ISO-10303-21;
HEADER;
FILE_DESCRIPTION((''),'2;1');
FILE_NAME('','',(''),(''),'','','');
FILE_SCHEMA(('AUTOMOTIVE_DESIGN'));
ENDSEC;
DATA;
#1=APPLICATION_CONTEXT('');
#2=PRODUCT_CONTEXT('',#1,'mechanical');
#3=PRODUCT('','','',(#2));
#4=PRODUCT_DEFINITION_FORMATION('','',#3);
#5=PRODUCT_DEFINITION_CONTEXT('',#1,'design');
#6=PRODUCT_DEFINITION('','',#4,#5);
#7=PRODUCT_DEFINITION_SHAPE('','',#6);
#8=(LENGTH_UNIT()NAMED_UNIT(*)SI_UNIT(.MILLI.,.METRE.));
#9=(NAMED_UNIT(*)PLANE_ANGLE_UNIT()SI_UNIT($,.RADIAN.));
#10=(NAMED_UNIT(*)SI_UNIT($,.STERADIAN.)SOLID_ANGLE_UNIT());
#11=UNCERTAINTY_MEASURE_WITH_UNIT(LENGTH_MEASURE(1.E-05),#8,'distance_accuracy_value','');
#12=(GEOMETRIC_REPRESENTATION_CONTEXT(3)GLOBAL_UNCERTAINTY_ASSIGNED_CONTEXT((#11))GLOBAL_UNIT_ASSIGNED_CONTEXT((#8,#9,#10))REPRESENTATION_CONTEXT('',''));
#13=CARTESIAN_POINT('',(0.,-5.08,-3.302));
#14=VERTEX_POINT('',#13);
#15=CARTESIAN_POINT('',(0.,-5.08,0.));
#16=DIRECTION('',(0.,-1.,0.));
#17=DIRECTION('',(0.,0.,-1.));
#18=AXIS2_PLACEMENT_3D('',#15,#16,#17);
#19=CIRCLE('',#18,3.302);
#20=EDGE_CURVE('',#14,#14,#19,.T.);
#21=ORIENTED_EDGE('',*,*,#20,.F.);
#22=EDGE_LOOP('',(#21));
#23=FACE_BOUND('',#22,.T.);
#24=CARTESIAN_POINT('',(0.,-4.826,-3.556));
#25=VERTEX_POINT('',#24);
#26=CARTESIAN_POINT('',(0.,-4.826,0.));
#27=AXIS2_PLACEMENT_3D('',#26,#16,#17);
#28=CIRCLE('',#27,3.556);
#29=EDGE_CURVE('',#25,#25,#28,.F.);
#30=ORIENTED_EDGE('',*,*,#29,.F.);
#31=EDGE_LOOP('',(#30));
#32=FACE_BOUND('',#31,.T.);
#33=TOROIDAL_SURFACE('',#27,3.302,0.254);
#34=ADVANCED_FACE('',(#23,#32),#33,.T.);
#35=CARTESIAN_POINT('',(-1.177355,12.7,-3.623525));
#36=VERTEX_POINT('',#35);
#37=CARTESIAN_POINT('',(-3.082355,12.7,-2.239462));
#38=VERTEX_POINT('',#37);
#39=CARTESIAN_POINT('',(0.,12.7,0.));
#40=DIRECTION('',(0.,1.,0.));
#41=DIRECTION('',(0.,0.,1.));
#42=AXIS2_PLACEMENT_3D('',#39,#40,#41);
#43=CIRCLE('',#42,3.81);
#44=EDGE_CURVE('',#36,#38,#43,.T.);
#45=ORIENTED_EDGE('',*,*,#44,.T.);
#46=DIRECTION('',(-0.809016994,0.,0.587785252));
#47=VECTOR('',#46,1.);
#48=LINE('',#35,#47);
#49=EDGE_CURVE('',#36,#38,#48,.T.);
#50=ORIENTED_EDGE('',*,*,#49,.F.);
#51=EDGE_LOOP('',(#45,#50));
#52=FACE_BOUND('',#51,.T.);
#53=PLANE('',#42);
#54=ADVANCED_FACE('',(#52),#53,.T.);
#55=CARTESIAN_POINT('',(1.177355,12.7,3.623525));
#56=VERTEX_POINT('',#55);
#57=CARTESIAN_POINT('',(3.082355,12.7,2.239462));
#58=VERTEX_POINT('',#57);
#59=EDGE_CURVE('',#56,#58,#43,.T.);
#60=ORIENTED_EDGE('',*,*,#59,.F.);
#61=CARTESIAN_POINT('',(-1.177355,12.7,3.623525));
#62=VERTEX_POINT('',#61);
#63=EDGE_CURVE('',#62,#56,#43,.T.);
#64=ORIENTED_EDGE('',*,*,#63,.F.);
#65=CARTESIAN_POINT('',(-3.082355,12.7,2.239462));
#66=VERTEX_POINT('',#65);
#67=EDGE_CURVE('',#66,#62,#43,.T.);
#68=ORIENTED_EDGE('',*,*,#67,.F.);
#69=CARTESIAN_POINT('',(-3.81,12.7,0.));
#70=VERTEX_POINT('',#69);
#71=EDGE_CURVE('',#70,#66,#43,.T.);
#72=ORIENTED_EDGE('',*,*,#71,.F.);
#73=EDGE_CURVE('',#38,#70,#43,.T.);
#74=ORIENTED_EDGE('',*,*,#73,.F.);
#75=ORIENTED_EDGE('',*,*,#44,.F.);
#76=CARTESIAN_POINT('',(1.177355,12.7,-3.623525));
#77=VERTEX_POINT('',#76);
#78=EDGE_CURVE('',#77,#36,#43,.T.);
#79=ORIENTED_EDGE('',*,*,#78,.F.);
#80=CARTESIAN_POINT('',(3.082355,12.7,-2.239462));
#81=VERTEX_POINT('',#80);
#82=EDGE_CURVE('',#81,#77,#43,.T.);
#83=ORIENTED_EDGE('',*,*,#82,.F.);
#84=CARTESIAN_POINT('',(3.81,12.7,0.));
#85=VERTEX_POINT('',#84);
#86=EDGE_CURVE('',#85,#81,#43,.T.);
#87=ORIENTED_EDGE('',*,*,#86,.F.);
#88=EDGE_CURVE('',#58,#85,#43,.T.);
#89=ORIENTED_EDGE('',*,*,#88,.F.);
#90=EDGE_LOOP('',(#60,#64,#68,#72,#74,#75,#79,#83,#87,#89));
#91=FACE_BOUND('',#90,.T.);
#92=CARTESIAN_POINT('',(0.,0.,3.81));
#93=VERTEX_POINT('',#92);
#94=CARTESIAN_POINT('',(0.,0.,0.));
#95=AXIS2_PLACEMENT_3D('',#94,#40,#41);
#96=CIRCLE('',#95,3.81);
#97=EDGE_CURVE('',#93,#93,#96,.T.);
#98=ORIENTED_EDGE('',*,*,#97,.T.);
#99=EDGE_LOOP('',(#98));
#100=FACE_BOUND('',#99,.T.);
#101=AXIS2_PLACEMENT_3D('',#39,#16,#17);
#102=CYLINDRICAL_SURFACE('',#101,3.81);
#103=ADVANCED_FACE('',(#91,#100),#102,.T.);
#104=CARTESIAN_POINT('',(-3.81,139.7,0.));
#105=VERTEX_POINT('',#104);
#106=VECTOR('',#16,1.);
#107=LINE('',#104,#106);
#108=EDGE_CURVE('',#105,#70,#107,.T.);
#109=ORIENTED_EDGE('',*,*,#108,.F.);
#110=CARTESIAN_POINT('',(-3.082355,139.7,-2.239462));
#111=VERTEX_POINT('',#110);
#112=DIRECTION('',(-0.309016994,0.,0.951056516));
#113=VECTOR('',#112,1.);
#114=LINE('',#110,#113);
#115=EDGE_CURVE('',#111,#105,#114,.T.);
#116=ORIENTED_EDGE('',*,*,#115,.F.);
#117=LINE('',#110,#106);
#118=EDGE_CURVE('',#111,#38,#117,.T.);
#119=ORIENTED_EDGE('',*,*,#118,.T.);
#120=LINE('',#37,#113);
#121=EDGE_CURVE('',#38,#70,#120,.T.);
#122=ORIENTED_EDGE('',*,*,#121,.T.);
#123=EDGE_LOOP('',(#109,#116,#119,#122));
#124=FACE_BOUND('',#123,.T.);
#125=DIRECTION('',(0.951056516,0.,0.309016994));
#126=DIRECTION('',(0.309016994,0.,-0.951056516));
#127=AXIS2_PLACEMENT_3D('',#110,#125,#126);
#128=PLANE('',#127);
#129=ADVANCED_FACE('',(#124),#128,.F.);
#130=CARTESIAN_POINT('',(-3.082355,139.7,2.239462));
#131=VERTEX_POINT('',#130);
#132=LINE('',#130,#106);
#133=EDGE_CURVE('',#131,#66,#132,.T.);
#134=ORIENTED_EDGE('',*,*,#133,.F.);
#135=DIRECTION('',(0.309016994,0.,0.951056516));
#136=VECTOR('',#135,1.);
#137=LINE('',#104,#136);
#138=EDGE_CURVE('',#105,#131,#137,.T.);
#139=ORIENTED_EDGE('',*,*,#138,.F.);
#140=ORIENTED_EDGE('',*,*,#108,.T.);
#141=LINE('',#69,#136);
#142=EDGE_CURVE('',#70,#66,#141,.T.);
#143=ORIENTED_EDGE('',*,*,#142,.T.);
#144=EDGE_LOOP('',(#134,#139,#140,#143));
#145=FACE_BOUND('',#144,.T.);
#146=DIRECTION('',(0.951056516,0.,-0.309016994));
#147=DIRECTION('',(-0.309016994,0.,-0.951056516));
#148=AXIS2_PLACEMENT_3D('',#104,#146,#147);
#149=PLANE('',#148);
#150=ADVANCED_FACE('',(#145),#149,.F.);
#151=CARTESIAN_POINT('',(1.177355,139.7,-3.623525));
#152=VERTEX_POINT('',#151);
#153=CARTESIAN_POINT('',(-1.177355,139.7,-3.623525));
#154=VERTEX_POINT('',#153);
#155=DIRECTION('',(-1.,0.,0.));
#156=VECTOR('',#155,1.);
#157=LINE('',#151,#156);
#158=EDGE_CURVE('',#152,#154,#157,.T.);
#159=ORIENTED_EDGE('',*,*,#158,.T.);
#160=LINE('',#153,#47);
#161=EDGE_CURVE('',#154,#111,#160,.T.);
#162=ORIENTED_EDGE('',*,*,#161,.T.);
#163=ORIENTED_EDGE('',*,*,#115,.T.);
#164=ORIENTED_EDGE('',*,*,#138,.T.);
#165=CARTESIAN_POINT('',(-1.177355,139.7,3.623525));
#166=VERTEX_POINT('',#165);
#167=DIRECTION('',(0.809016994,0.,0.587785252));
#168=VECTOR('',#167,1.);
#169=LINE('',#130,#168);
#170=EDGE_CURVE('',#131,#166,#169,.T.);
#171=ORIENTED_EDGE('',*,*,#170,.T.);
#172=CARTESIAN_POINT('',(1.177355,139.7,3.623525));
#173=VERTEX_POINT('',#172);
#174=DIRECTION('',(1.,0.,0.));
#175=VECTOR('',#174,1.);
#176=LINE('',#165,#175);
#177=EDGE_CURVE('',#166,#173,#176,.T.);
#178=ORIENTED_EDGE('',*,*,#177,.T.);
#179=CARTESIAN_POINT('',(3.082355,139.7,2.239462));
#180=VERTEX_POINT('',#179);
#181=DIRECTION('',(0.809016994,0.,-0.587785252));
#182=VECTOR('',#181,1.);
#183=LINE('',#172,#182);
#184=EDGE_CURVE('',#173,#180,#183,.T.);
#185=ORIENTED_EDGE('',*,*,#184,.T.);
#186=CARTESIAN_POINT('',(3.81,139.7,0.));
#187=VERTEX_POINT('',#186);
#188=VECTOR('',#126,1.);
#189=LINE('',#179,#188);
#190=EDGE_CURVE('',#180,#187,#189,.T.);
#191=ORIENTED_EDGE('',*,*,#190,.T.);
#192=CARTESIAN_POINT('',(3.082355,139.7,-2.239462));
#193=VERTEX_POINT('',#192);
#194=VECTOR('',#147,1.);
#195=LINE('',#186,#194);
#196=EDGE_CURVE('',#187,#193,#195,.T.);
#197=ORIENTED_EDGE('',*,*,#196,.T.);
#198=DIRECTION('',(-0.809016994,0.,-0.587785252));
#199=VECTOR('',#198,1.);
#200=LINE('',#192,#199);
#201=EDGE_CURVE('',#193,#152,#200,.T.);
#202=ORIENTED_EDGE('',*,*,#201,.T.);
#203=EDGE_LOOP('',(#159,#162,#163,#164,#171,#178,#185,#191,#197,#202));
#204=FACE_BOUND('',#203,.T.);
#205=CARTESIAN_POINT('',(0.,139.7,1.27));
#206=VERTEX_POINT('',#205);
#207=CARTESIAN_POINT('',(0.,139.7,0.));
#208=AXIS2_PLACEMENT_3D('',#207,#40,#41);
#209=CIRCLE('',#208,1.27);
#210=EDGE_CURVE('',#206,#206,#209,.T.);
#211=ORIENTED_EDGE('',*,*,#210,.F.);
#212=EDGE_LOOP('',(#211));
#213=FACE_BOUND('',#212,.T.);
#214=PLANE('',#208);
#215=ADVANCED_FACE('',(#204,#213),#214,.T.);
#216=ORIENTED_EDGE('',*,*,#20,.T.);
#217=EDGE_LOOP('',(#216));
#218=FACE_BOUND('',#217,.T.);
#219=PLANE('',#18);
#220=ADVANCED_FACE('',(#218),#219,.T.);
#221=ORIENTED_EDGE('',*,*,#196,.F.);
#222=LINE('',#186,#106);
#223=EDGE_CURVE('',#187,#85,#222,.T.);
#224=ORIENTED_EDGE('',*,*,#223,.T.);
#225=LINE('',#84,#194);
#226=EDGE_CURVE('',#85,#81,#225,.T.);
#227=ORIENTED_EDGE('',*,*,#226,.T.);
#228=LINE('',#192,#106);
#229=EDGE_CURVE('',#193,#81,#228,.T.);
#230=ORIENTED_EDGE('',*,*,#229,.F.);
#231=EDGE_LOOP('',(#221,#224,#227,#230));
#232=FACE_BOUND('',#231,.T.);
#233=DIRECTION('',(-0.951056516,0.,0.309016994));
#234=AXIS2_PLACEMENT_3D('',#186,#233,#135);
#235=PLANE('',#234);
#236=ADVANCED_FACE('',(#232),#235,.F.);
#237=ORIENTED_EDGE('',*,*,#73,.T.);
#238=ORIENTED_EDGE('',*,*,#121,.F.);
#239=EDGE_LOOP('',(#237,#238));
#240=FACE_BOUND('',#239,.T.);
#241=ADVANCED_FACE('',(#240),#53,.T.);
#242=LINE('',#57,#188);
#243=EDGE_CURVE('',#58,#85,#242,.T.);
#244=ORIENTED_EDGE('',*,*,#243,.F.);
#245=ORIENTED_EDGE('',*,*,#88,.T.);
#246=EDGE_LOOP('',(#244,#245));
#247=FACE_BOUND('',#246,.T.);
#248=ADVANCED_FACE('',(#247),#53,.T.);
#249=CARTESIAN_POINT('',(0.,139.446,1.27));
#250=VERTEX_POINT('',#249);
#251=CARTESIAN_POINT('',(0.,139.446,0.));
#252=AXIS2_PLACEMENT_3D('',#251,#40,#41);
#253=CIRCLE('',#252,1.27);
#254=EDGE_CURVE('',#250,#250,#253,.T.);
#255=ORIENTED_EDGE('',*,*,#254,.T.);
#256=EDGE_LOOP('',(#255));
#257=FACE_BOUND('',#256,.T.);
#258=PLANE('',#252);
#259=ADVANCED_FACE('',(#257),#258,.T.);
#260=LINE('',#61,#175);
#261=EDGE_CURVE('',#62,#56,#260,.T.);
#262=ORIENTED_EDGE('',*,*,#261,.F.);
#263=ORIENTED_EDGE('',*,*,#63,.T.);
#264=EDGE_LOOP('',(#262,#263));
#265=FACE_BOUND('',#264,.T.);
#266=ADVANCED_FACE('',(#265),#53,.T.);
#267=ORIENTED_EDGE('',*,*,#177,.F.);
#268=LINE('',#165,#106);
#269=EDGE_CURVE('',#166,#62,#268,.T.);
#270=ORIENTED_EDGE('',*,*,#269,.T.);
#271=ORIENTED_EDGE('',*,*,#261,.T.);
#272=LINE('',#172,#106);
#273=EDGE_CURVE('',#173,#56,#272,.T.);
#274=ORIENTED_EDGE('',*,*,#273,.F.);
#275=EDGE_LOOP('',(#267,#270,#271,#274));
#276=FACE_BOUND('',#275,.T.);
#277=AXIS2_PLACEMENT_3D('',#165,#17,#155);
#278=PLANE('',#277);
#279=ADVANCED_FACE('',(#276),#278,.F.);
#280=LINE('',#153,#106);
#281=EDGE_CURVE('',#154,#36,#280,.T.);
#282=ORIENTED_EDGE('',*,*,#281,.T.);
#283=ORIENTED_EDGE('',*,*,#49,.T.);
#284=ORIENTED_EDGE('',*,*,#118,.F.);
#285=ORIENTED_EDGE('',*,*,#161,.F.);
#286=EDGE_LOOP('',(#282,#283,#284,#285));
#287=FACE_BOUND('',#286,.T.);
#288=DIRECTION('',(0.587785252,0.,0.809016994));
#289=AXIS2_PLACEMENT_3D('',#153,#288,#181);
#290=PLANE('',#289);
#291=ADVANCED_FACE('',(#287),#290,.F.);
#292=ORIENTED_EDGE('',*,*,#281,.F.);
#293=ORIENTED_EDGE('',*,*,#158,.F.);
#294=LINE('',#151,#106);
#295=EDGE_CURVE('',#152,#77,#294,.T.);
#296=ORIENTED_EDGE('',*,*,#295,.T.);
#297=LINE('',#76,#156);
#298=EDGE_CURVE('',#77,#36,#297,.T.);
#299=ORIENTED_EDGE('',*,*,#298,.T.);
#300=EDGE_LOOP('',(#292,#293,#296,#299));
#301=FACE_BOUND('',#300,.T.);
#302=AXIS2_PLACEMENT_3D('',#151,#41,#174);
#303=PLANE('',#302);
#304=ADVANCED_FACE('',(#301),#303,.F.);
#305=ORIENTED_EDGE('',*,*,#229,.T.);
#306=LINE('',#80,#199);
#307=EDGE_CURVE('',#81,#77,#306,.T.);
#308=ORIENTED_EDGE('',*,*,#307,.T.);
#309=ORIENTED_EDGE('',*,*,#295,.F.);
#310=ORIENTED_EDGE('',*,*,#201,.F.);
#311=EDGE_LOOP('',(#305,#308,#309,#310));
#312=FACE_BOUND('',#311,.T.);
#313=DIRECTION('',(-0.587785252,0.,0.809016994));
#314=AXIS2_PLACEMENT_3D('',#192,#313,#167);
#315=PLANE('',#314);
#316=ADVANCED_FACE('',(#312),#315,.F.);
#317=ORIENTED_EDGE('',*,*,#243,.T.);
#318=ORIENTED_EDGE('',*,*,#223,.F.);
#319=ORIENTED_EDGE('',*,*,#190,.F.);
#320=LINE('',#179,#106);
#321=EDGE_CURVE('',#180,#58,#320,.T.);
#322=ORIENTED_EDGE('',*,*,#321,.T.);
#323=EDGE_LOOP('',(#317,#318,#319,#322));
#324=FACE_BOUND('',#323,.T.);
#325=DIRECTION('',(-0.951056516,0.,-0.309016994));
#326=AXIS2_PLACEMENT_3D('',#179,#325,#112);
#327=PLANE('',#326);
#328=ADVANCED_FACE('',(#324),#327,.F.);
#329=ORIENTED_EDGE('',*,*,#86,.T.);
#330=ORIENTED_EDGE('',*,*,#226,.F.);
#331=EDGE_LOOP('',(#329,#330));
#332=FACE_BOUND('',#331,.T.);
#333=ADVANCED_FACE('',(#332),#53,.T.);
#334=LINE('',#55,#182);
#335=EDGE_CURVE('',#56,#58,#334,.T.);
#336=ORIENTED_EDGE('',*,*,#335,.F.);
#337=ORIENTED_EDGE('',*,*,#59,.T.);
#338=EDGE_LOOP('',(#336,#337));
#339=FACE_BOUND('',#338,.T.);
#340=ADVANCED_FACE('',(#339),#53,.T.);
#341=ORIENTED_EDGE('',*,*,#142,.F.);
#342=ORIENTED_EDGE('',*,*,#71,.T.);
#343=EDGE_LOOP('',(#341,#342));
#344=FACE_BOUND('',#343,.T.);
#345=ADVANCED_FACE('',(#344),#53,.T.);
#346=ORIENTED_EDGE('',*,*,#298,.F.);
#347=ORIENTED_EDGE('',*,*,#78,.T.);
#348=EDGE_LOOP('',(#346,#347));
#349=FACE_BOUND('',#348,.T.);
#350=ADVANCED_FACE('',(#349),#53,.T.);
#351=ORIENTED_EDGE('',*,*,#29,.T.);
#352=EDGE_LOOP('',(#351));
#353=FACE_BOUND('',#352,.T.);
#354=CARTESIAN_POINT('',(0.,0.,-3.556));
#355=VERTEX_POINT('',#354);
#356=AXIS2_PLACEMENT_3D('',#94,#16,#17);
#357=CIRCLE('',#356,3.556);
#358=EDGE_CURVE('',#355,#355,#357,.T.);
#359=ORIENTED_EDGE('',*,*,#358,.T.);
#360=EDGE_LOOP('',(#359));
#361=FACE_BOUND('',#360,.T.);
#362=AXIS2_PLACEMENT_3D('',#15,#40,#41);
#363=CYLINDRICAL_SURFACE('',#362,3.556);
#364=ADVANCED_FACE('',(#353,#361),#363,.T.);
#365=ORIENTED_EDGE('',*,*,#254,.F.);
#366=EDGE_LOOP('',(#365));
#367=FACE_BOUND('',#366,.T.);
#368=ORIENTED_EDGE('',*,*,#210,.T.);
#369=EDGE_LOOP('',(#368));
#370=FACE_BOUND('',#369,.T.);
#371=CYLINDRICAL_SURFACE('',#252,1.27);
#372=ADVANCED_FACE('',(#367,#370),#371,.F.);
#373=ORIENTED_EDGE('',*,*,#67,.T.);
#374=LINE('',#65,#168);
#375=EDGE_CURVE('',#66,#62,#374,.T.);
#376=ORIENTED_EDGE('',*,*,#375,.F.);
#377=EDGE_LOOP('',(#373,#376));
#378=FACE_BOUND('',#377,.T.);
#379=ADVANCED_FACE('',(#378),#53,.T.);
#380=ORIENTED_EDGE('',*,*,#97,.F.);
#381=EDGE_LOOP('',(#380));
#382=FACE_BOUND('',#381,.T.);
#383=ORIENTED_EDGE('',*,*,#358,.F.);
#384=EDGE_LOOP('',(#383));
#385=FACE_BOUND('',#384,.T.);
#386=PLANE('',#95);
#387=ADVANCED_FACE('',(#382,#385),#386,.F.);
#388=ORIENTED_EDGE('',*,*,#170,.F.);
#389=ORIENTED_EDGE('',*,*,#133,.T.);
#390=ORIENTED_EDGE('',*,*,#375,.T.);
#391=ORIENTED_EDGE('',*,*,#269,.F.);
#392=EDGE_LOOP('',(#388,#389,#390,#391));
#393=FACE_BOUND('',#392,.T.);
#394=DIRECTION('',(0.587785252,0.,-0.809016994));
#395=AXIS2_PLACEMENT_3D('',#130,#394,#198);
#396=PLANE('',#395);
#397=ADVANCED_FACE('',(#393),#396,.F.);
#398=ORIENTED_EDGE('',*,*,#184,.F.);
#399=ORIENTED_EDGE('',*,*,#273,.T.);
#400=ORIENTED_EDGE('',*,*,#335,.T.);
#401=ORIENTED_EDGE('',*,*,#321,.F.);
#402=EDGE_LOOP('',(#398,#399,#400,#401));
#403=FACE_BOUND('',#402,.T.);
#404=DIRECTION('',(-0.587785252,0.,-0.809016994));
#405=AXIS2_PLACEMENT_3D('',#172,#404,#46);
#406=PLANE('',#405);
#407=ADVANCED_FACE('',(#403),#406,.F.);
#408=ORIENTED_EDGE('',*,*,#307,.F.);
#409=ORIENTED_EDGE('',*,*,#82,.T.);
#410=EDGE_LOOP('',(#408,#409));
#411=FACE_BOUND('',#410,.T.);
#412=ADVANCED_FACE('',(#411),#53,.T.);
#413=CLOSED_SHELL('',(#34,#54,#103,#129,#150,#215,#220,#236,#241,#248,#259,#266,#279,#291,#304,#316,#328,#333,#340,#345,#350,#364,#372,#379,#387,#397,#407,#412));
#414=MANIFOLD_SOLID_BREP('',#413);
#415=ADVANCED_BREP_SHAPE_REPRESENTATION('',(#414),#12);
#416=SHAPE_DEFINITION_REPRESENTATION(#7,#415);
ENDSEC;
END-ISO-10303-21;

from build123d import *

# Parameters (mm, degrees)
SKETCH2_R           = 3.81
BOSS_EXTRUDE1_DEPTH = 12.7
BOSS_EXTRUDE2_DEPTH = 127
SKETCH4_R           = 3.556
BOSS_EXTRUDE3_DEPTH = 5.08
FILLET3_R           = 0.254
SKETCH5_R           = 1.27
CUT_EXTRUDE1_DEPTH  = 0.254


with BuildPart() as part:
    # Sketch2 → Boss-Extrude1 (new body)
    with BuildSketch(Plane(origin=(0, 0, 0), x_dir=(1, 0, 0), z_dir=(0, 1, 0))):
        with Locations(Location((0, 0, 0), (0, 0, 270))):
            Circle(SKETCH2_R)
    extrude(amount=BOSS_EXTRUDE1_DEPTH)

    # Sketch3 → Boss-Extrude2 (add)
    with BuildSketch(Plane(origin=(0, 12.7, 0), x_dir=(1, 0, 0), z_dir=(0, 1, 0))):
        Polygon((3.81, 0), (3.082354749, 2.239461811), (1.177354749, 3.623525327), (-1.177354749, 3.623525327), (-3.082354749, 2.239461811), (-3.81, 0), (-3.082354749, -2.239461811), (-1.177354749, -3.623525327), (1.177354749, -3.623525327), (3.082354749, -2.239461811), align=None)
    extrude(amount=BOSS_EXTRUDE2_DEPTH)

    # Sketch4 → Boss-Extrude3 (add)
    with BuildSketch(Plane.XZ):
        with Locations(Location((0, 0, 0), (0, 0, 270))):
            Circle(SKETCH4_R)
    extrude(amount=BOSS_EXTRUDE3_DEPTH)

    # Fillet3
    fillet3_edges = [part.edges().sort_by_distance(p)[0] for p in [
        (0, -5.08, 3.556),
    ]]
    fillet(fillet3_edges, radius=FILLET3_R)

    # Sketch5 → Cut-Extrude1 (cut)
    with BuildSketch(Plane(origin=(0, 139.7, 0), x_dir=(1, 0, 0), z_dir=(0, 1, 0))):
        with Locations(Location((0, 0, 0), (0, 0, 270))):
            Circle(SKETCH5_R)
    extrude(amount=-CUT_EXTRUDE1_DEPTH, mode=Mode.SUBTRACT)


solid = part.part
